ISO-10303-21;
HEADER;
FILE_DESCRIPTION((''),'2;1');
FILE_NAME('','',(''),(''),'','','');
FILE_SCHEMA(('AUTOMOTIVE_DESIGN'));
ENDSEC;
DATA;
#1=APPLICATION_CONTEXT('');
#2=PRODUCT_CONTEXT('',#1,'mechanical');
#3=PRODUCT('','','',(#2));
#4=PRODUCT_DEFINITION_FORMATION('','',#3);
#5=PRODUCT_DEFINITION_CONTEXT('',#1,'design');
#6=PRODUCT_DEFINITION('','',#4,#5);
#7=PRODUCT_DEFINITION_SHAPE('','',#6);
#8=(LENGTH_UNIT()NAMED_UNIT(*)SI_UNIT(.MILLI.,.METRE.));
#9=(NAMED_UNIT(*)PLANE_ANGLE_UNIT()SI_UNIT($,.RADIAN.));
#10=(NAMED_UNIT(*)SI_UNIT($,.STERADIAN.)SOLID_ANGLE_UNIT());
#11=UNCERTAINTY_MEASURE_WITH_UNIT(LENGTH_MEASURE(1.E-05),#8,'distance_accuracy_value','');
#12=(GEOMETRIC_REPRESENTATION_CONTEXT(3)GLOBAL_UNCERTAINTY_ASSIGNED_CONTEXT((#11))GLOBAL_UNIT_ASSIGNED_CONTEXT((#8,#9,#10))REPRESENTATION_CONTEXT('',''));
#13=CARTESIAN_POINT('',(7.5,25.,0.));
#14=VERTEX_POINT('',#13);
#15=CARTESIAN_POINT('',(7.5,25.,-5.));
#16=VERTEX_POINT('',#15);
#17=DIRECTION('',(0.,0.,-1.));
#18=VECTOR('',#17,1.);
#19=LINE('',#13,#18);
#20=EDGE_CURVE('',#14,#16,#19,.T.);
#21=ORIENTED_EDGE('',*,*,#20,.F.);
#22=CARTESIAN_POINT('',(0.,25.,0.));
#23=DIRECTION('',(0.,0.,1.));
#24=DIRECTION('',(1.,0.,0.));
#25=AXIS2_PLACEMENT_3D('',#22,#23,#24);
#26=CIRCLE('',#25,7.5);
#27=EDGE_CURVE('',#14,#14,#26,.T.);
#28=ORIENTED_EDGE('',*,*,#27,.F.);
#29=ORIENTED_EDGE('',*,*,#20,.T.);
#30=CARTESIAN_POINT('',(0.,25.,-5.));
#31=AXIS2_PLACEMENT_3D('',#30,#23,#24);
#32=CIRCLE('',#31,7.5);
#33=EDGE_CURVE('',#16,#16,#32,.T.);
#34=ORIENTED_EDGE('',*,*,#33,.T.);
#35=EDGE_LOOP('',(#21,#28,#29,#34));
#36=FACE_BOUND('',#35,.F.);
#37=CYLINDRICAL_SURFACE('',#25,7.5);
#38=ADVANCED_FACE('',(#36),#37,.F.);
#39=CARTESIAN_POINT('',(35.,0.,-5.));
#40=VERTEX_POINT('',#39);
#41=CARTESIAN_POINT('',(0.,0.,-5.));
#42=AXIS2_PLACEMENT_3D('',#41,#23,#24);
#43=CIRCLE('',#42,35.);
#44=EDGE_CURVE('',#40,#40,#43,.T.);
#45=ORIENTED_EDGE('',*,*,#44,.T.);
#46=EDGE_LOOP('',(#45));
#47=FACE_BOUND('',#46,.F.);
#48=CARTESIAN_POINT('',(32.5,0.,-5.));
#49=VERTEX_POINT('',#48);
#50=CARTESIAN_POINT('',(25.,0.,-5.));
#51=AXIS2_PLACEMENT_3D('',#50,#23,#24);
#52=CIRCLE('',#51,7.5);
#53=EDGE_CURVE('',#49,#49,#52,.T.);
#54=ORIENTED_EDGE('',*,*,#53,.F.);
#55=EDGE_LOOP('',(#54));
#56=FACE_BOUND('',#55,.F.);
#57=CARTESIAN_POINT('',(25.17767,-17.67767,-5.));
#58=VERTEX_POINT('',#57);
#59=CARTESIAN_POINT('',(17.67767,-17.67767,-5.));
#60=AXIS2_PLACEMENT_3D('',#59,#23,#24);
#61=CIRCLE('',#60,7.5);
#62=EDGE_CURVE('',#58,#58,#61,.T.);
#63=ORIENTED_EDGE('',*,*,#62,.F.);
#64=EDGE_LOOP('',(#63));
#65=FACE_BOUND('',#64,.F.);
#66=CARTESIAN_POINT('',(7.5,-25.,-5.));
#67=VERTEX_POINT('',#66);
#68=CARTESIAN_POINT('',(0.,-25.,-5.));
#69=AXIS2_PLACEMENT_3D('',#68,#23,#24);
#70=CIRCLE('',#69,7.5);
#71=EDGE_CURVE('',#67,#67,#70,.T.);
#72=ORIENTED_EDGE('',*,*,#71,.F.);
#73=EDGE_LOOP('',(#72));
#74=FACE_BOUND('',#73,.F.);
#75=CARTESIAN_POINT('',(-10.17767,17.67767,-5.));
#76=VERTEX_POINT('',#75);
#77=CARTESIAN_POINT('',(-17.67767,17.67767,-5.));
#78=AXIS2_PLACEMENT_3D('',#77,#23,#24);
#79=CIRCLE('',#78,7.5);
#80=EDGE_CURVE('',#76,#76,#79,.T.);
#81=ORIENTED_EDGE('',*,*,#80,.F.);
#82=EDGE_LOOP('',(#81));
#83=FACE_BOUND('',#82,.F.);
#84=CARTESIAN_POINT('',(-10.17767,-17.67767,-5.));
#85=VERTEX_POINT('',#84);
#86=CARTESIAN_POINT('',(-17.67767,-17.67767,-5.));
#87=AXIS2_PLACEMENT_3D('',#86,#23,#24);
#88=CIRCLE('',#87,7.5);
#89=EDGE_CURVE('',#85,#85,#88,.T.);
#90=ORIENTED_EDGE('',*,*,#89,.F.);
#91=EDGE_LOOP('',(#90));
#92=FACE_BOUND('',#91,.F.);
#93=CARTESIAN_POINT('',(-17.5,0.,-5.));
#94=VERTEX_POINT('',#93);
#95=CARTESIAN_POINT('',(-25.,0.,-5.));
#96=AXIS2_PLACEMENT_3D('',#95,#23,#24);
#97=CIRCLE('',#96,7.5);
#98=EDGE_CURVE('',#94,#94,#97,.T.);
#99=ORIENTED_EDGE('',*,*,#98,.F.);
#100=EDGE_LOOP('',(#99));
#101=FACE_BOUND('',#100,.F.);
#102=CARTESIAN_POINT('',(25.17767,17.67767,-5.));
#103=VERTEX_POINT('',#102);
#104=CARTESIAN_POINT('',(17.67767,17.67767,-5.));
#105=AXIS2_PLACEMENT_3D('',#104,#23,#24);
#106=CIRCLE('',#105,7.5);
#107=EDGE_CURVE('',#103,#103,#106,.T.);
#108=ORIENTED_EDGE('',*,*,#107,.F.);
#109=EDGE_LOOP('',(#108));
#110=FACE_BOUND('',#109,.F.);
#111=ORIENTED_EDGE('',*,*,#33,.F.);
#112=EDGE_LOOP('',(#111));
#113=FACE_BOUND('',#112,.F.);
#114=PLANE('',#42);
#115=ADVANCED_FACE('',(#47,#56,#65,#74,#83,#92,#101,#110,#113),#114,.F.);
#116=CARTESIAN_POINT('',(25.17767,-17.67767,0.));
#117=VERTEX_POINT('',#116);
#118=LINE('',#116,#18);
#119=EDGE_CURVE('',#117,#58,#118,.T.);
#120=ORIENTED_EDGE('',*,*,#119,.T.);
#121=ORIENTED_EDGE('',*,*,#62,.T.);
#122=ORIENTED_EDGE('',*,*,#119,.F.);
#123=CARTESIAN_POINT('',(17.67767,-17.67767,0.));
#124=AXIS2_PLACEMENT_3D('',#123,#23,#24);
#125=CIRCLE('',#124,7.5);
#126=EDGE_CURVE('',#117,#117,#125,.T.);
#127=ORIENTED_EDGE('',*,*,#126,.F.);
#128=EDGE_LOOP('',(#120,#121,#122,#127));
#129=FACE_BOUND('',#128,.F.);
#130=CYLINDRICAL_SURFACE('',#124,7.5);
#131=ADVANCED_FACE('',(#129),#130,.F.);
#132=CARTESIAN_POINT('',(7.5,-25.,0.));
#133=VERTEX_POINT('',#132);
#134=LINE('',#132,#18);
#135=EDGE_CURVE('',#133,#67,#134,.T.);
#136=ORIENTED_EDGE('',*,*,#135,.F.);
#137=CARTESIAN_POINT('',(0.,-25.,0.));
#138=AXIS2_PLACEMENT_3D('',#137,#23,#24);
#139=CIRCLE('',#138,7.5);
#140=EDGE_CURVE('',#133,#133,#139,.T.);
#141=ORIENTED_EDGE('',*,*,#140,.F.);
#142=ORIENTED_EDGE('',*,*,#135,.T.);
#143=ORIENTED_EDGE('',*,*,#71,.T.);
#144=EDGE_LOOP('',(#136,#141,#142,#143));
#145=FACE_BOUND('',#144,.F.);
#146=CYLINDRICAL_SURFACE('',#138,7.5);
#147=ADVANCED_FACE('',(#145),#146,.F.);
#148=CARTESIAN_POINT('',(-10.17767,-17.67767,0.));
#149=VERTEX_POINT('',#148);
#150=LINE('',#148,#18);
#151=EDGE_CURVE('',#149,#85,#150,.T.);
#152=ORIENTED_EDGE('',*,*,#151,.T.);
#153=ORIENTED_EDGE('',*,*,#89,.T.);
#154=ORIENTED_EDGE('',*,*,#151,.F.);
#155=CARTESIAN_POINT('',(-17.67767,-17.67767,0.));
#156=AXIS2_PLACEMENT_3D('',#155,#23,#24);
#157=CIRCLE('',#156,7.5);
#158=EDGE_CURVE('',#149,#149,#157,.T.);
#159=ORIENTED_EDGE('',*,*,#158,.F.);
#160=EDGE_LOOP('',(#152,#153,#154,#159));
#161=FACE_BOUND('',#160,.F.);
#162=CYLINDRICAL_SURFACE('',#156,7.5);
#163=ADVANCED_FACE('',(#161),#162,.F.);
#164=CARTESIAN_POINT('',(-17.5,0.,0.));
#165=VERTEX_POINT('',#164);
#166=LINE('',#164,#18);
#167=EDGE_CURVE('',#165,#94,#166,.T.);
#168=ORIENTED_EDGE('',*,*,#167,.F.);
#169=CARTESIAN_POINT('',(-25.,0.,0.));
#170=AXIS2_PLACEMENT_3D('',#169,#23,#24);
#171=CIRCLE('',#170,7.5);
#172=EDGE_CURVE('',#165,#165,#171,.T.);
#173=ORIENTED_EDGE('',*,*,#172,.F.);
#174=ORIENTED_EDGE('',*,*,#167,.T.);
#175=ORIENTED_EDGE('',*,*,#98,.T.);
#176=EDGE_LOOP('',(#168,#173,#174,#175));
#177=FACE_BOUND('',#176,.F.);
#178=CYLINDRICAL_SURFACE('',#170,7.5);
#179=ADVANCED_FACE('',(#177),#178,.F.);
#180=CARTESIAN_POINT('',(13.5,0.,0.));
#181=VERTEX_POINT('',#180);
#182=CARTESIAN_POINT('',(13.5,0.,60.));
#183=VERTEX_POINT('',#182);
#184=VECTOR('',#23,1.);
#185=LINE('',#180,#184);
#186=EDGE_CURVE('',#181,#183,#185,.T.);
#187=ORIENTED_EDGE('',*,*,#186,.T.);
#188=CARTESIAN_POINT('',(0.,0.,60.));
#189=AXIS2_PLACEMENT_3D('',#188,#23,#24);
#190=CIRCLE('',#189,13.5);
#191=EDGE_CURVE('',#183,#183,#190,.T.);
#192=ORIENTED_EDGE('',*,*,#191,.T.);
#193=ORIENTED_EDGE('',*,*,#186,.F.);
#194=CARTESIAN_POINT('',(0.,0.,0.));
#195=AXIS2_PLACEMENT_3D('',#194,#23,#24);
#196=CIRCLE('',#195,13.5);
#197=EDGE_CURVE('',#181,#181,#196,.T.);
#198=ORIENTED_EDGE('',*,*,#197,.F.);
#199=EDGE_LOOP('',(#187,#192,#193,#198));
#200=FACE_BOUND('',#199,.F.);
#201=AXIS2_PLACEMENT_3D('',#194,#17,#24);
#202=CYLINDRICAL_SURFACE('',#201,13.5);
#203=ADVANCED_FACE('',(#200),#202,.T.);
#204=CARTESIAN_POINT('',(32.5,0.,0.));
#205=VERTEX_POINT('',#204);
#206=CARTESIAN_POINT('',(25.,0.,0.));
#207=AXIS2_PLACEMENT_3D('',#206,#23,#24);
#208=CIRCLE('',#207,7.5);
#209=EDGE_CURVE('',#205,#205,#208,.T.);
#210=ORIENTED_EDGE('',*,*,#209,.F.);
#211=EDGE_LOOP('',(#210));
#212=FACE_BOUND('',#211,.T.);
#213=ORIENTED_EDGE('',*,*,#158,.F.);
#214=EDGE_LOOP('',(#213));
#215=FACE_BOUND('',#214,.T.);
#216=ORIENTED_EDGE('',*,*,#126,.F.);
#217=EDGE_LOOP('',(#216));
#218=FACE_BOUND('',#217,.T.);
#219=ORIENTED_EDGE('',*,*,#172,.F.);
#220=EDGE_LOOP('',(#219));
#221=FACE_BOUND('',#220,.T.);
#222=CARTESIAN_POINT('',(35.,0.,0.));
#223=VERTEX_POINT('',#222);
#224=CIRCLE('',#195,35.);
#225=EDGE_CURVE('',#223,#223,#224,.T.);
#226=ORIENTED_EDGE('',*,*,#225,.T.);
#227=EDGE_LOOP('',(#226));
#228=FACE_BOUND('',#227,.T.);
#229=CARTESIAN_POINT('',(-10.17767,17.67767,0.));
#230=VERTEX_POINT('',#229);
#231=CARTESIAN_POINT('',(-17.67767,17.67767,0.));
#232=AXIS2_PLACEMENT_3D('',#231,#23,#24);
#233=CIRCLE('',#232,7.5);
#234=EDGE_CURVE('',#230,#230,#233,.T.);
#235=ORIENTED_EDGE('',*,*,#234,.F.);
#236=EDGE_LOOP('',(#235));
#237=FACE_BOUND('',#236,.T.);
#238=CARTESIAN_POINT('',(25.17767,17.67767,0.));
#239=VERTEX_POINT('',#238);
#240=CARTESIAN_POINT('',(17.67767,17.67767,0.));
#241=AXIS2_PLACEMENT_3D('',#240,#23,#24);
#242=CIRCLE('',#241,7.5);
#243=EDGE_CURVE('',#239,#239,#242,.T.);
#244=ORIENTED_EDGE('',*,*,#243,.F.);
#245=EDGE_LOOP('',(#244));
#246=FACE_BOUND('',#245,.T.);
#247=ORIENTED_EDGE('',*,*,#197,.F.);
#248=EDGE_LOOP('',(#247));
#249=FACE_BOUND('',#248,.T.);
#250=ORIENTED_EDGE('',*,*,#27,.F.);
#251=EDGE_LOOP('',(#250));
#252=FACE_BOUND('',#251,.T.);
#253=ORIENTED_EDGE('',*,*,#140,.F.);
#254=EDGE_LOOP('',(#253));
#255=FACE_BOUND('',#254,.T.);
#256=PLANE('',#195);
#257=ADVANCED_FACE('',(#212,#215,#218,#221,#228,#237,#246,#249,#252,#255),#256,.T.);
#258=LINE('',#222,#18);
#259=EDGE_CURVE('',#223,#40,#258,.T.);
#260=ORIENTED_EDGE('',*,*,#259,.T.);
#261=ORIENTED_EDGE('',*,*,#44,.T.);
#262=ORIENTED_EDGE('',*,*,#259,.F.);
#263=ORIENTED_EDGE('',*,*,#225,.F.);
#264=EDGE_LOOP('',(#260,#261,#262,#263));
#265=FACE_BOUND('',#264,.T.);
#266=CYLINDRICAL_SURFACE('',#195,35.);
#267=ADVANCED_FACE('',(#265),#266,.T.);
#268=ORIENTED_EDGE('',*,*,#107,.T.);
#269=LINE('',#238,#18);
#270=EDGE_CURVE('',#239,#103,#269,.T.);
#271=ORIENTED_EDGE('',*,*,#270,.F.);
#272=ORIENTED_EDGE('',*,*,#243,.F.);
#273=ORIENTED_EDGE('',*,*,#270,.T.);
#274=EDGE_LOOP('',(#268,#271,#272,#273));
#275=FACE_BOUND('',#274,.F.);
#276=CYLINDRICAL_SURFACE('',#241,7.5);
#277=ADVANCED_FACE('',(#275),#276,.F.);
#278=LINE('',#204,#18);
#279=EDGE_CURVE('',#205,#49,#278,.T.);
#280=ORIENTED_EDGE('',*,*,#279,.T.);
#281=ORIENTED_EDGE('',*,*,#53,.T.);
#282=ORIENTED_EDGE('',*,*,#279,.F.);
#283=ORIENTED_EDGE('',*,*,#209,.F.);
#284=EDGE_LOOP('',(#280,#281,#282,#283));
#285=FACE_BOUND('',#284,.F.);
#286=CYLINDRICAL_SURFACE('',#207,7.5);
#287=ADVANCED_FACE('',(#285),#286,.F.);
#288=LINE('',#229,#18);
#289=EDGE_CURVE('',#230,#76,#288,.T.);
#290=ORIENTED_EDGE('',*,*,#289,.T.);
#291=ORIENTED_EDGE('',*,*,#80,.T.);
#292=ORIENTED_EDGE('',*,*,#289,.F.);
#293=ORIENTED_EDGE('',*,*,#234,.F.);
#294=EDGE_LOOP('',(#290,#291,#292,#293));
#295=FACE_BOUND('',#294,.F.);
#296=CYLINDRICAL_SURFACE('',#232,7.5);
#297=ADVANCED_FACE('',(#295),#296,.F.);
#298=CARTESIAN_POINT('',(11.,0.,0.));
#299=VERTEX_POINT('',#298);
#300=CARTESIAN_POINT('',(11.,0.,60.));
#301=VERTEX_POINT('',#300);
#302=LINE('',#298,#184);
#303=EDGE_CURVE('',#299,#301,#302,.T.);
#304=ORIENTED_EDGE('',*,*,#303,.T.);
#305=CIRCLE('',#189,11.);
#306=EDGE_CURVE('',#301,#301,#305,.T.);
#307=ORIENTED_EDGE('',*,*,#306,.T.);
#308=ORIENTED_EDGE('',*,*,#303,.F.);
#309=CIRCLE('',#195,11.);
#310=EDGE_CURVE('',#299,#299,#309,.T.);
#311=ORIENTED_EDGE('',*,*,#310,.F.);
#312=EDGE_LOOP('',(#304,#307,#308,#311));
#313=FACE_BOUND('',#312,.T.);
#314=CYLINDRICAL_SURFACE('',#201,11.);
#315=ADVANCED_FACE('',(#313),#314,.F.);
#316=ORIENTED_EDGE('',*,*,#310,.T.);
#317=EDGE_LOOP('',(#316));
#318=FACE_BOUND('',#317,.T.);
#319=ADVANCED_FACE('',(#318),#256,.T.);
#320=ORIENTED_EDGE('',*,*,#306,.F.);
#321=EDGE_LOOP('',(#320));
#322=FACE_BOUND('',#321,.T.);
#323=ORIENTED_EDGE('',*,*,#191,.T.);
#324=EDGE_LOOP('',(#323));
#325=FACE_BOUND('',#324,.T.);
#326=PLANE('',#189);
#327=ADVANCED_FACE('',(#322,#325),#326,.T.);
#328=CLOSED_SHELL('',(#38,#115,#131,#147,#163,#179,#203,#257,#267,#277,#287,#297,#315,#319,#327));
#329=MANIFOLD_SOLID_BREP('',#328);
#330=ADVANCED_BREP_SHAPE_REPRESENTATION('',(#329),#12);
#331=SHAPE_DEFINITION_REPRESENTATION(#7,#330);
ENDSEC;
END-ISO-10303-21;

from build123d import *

# Parameters (mm, degrees)
F0_R     = 35
F0_R_2   = 7.5
F0_R_3   = 13.5
F0_R_4   = 11
F1_DEPTH = 5
F2_DEPTH = 60


with BuildPart() as f1:
    # F0 (on Top) → F1 (new body)
    with BuildSketch(Plane.XY):
        Circle(F0_R)
        with Locations((-17.67767, -17.67767)):
            Circle(F0_R_2, mode=Mode.SUBTRACT)
        with Locations((0, -25)):
            Circle(F0_R_2, mode=Mode.SUBTRACT)
        with Locations((17.67767, -17.67767)):
            Circle(F0_R_2, mode=Mode.SUBTRACT)
        with Locations((-25, 0)):
            Circle(F0_R_2, mode=Mode.SUBTRACT)
        with Locations((-17.67767, 17.67767)):
            Circle(F0_R_2, mode=Mode.SUBTRACT)
        Circle(F0_R_3, mode=Mode.SUBTRACT)
        with Locations((25, 0)):
            Circle(F0_R_2, mode=Mode.SUBTRACT)
        with Locations((0, 25)):
            Circle(F0_R_2, mode=Mode.SUBTRACT)
        with Locations((17.67767, 17.67767)):
            Circle(F0_R_2, mode=Mode.SUBTRACT)
        Circle(F0_R_3)
        Circle(F0_R_4, mode=Mode.SUBTRACT)
        Circle(F0_R_4)
    extrude(amount=-F1_DEPTH)

    # F0 (on Top) → F2 (join)
    with BuildSketch(Plane.XY):
        Circle(F0_R_3)
        Circle(F0_R_4, mode=Mode.SUBTRACT)
    extrude(amount=F2_DEPTH)


solid = f1.part
